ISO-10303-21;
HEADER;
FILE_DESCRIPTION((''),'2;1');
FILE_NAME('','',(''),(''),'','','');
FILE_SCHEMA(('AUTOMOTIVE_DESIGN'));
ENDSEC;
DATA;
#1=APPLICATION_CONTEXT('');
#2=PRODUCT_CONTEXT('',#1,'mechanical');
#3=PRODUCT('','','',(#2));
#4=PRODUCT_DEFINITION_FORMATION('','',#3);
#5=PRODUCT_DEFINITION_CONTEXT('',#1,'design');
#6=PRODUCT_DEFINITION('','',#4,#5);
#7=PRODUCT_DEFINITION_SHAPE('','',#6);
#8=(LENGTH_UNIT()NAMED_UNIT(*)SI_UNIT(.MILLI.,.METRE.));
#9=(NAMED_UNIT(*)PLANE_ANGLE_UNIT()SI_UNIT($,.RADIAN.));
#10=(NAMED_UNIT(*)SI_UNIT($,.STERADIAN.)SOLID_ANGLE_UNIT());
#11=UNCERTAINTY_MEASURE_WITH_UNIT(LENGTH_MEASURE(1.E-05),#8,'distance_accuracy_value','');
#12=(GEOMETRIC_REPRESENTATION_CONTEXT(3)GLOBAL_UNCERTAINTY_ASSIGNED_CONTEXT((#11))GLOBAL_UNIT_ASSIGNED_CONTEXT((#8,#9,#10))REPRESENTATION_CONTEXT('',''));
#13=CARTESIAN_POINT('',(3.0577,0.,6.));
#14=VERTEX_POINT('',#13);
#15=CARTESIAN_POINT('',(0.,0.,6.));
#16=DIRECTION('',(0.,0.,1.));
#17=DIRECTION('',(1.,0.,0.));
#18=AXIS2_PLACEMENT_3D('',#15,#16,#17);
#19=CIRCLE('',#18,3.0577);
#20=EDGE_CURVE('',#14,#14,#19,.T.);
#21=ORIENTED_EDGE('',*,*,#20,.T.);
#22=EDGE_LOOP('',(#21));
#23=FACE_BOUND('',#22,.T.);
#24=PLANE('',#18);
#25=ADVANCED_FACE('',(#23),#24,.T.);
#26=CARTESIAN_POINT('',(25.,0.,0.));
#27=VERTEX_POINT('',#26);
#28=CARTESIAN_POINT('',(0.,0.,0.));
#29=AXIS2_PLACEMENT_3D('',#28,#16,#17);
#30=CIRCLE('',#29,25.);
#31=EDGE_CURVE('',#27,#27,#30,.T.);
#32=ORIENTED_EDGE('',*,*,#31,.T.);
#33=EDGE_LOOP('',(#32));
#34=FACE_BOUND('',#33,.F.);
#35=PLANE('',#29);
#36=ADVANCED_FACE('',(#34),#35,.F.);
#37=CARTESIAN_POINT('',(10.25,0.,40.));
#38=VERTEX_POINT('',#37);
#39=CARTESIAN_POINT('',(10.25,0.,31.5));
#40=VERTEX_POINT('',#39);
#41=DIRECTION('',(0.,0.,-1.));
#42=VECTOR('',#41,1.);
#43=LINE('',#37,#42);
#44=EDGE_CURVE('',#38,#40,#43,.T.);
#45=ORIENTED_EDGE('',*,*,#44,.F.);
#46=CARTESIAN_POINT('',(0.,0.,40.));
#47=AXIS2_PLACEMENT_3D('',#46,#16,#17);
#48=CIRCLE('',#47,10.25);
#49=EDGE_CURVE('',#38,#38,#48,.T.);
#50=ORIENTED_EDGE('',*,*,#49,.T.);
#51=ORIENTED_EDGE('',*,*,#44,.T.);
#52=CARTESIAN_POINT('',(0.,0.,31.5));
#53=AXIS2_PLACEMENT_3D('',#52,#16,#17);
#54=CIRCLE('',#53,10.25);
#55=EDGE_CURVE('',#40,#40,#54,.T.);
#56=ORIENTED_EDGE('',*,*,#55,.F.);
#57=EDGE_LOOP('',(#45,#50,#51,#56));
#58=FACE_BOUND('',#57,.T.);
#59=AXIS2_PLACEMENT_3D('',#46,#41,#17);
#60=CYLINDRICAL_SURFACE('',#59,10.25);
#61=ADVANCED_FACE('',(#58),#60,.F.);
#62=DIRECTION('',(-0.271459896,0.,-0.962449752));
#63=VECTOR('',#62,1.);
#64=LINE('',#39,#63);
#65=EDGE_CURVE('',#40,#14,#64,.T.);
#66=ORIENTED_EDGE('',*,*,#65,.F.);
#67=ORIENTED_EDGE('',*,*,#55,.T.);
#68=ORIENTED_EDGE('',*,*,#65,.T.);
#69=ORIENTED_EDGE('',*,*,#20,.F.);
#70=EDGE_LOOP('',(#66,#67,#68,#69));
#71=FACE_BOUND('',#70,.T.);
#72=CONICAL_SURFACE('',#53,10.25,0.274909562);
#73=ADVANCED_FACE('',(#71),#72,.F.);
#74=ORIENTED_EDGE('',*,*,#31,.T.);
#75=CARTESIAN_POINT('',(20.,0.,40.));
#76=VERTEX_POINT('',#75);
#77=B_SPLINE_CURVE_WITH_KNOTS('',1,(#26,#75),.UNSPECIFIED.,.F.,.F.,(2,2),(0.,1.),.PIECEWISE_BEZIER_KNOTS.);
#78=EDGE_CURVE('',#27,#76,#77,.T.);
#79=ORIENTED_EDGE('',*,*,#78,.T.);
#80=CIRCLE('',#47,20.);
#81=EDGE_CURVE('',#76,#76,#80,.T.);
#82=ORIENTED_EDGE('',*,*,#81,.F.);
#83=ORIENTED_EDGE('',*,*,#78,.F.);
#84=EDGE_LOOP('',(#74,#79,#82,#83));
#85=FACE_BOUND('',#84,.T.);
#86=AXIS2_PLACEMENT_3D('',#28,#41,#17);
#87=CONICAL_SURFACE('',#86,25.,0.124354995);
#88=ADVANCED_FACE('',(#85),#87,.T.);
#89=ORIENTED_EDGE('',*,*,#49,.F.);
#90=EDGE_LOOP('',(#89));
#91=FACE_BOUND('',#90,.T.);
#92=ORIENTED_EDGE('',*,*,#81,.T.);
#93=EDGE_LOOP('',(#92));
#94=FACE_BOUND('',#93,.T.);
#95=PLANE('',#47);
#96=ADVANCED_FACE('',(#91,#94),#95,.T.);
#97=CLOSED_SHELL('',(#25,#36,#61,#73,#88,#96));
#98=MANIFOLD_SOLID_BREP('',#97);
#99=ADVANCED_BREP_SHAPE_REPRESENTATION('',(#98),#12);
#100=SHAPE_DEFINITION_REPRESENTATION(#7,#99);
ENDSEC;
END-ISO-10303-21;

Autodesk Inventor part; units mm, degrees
sketch "Sketch1" plane through (0, 0, 0) normal (0, 0, 1) x (1, 0, 0)
  circle A0 centre (0, 0) radius 25
  dimension "d0" = 50
ref_plane "Work Plane2" through (0, 0, 40) normal (0, 0, 1) x (1, 0, 0)
sketch "Sketch5" plane through (0, 0, 40) normal (0, 0, 1) x (1, 0, 0)
  circle A0 centre (0, 0) radius 20
  dimension "d16" = 40
loft "Loft2" add profiles "Sketch1", "Sketch5"
sketch "Sketch4" plane through (0, 0, 0) normal (0, 1, 0) x (-1, 0, 0)
  line L0 (-20, 40) -> (20, 40) projected
  line L1 (0, 40) -> (-10.25, 40)
  line L2 (-3.0577, 6) -> (0, 6)
  line L3 (0, 6) -> (0, 40)
  line L4 (38.1573, 12) -> (-36.662, 12) construction
  line L5 (0, -8) -> (0, 48) projected
  line L6 (-10.25, 40) -> (-10.25, 31.5)
  line L7 (-10.25, 31.5) -> (-3.0577, 6)
  point P0 (-4.75, 12)
  dimension "d22" = 10.25
  dimension "d23" = 28
  dimension "d24" = 6
  dimension "d26" = 8.5
  dimension "d27" = 4.75
revolve "Revolution1" cut sketch "Sketch4" angle 360 about axis through (0, 0, -10) along (0, 0, 1)
properties part number "_3DPrint"
